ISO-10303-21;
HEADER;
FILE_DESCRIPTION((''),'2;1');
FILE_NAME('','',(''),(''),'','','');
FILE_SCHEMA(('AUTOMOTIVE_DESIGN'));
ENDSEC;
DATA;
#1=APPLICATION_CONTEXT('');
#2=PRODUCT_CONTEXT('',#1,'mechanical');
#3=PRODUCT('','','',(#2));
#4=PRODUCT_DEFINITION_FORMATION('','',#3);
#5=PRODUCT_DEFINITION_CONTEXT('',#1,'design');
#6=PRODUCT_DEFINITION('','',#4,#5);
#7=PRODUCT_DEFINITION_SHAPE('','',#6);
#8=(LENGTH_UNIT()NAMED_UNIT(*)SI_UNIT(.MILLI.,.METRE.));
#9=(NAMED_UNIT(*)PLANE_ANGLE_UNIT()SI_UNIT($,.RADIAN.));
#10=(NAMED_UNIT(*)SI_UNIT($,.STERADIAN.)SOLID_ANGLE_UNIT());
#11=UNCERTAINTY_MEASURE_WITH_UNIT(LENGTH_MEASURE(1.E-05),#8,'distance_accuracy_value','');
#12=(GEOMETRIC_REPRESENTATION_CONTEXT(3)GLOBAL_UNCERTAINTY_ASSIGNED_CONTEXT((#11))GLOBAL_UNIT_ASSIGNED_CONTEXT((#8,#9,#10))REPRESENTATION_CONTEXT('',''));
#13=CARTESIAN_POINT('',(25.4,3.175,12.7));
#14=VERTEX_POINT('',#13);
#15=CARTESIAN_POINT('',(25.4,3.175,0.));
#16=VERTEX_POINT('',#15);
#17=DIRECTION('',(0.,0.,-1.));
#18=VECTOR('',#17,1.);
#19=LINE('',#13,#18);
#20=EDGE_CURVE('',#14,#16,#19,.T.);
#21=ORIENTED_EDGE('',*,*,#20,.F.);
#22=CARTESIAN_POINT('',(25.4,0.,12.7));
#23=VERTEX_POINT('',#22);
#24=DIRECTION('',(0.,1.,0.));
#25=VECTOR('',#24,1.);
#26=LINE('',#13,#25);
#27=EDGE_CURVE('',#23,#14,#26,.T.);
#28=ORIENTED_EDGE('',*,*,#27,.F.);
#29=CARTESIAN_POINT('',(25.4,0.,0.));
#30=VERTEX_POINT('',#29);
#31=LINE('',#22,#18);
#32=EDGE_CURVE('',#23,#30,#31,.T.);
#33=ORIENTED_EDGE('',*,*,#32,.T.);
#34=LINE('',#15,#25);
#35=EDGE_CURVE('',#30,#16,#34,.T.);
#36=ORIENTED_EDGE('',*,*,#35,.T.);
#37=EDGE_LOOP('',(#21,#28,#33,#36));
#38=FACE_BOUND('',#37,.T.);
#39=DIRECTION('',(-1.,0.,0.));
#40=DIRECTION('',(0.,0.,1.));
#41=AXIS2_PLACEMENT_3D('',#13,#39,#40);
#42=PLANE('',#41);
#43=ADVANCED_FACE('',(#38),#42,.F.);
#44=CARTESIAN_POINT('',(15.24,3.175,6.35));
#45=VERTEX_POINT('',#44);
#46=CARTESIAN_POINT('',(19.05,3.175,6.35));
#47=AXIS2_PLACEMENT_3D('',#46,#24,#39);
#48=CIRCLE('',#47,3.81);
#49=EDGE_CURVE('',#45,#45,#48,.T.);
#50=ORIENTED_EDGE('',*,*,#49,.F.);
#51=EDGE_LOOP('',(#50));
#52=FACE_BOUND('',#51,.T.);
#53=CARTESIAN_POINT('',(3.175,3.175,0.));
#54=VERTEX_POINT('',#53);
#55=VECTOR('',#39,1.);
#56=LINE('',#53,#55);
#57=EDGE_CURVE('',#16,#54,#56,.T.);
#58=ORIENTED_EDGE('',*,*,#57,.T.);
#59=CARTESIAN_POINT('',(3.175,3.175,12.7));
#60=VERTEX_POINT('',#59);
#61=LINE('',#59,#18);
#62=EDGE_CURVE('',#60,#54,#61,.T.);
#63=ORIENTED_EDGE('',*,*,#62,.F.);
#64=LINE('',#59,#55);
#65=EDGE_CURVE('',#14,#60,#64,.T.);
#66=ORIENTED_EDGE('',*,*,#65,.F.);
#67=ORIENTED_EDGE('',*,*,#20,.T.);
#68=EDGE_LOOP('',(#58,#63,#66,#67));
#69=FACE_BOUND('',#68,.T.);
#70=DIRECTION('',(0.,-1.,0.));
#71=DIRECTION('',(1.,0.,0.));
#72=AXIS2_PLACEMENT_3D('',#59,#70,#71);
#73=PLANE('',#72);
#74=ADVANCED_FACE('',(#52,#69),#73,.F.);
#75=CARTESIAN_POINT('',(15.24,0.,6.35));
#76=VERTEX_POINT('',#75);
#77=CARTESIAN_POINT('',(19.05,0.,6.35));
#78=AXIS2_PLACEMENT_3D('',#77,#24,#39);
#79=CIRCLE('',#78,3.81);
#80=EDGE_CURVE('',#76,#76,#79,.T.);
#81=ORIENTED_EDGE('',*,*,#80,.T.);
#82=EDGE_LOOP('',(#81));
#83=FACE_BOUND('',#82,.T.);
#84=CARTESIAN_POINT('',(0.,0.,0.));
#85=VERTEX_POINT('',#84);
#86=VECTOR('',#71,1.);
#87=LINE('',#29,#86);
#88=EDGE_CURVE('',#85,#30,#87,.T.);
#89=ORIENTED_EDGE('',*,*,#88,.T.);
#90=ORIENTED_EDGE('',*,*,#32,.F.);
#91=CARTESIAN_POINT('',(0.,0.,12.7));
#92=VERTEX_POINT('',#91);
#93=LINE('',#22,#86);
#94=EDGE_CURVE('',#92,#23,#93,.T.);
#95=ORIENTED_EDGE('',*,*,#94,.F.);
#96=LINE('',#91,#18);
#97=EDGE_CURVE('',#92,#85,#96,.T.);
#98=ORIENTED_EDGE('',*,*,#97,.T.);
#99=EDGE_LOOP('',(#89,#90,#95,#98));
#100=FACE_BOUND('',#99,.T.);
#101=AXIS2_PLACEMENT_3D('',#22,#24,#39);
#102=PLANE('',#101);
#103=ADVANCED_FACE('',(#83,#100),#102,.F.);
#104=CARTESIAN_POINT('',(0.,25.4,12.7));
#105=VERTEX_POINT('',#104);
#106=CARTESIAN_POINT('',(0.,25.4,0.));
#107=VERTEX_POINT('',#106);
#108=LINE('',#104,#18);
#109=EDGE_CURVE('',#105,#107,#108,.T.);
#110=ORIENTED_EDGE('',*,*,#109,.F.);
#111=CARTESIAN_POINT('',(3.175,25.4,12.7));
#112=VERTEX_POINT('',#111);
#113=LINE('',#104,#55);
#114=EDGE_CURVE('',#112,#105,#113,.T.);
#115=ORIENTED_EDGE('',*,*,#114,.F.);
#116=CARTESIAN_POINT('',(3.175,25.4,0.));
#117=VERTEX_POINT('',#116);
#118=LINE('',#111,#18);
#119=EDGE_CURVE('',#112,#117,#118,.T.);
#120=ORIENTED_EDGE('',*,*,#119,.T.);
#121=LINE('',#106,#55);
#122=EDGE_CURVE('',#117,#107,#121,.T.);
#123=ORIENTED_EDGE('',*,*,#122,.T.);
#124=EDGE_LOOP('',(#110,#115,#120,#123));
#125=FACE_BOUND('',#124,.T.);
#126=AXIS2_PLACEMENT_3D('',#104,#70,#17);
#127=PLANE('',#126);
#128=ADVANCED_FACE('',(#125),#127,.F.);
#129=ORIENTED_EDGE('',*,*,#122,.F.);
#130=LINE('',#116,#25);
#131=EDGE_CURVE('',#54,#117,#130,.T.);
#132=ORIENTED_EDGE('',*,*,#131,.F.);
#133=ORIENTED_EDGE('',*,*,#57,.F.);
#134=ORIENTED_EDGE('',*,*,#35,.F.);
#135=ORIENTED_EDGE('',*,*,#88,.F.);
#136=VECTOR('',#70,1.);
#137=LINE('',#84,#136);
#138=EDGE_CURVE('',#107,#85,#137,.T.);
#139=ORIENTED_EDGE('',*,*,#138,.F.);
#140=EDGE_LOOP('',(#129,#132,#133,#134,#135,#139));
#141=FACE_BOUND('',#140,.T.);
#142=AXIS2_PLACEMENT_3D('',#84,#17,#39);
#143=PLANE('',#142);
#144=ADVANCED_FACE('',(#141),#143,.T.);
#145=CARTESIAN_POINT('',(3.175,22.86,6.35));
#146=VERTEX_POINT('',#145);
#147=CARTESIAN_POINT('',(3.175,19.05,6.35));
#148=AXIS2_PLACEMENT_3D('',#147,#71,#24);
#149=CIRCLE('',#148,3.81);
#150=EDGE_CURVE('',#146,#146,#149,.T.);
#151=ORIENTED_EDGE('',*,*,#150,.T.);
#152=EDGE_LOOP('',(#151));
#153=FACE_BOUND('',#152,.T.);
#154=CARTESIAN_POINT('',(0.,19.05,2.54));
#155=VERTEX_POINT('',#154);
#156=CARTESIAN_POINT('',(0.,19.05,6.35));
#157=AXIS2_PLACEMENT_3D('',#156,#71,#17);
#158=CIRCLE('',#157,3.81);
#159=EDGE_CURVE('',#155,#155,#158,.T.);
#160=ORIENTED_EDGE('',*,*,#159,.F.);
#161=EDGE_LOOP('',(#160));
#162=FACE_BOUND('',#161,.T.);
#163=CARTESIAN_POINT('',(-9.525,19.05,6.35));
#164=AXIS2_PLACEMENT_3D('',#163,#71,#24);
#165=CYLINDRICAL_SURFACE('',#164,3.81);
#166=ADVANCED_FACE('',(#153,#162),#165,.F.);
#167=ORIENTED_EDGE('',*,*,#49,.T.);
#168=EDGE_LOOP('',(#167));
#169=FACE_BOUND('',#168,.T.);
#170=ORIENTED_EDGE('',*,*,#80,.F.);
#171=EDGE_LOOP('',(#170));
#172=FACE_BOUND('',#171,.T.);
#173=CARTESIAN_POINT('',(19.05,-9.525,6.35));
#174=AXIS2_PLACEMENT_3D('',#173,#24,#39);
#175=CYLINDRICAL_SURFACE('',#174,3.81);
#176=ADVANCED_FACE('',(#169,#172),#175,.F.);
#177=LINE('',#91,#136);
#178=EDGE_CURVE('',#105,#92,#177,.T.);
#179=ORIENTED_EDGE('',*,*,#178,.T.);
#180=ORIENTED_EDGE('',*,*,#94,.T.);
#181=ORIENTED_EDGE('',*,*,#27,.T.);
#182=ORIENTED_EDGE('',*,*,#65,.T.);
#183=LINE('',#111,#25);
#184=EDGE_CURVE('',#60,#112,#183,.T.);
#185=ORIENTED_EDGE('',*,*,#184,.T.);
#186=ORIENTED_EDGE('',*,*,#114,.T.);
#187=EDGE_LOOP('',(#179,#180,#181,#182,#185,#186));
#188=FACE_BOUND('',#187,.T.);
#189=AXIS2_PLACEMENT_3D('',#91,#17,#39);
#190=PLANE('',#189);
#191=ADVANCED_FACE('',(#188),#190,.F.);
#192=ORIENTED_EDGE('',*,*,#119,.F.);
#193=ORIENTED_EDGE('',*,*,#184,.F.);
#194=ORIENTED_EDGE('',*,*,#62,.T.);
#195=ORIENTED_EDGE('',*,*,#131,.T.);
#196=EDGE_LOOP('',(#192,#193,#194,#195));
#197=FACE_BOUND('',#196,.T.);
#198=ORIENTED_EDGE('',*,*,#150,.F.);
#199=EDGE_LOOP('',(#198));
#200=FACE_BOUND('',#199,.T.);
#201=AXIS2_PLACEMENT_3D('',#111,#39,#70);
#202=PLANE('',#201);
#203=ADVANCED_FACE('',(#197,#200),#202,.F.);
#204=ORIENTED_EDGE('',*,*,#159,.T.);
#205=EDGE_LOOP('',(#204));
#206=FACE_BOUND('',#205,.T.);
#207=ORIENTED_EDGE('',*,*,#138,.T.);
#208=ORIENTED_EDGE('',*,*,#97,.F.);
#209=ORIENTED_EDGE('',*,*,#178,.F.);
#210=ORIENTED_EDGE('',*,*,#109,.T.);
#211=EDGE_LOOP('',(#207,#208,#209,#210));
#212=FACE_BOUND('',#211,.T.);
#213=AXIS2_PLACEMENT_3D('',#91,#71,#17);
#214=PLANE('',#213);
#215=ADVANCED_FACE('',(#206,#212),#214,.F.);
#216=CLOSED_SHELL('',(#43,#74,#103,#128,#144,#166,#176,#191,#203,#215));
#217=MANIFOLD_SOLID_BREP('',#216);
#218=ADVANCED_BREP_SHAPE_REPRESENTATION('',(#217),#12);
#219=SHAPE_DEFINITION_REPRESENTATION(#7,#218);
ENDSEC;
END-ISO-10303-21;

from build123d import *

# Parameters (mm, degrees)
BOSS_EXTRUDE1_DEPTH = 12.7
SKETCH2_R           = 3.81
CUT_EXTRUDE1_DEPTH  = 12.7
SKETCH3_R           = 3.81
CUT_EXTRUDE2_DEPTH  = 12.7


with BuildPart() as part:
    # Sketch1 → Boss-Extrude1 (new body)
    with BuildSketch(Plane.XY):
        Polygon((0, 0), (0, 25.4), (3.175, 25.4), (3.175, 3.175), (25.4, 3.175), (25.4, 0), align=None)
    extrude(amount=BOSS_EXTRUDE1_DEPTH)

    # Sketch2 → Cut-Extrude1 (cut)
    with BuildSketch(Plane(origin=(0, 3.175, 0), x_dir=(1, 0, 0), z_dir=(0, 1, 0))):
        with Locations(Location((19.05, -6.35, 0), (0, 0, 180))):
            Circle(SKETCH2_R)
    extrude(amount=-CUT_EXTRUDE1_DEPTH, mode=Mode.SUBTRACT)

    # Sketch3 → Cut-Extrude2 (cut)
    with BuildSketch(Plane(origin=(3.175, 0, 0), x_dir=(0, 0, -1), z_dir=(1, 0, 0))):
        with Locations(Location((-6.35, 19.05, 0), (0, 0, 90))):
            Circle(SKETCH3_R)
    extrude(amount=-CUT_EXTRUDE2_DEPTH, mode=Mode.SUBTRACT)


solid = part.part
